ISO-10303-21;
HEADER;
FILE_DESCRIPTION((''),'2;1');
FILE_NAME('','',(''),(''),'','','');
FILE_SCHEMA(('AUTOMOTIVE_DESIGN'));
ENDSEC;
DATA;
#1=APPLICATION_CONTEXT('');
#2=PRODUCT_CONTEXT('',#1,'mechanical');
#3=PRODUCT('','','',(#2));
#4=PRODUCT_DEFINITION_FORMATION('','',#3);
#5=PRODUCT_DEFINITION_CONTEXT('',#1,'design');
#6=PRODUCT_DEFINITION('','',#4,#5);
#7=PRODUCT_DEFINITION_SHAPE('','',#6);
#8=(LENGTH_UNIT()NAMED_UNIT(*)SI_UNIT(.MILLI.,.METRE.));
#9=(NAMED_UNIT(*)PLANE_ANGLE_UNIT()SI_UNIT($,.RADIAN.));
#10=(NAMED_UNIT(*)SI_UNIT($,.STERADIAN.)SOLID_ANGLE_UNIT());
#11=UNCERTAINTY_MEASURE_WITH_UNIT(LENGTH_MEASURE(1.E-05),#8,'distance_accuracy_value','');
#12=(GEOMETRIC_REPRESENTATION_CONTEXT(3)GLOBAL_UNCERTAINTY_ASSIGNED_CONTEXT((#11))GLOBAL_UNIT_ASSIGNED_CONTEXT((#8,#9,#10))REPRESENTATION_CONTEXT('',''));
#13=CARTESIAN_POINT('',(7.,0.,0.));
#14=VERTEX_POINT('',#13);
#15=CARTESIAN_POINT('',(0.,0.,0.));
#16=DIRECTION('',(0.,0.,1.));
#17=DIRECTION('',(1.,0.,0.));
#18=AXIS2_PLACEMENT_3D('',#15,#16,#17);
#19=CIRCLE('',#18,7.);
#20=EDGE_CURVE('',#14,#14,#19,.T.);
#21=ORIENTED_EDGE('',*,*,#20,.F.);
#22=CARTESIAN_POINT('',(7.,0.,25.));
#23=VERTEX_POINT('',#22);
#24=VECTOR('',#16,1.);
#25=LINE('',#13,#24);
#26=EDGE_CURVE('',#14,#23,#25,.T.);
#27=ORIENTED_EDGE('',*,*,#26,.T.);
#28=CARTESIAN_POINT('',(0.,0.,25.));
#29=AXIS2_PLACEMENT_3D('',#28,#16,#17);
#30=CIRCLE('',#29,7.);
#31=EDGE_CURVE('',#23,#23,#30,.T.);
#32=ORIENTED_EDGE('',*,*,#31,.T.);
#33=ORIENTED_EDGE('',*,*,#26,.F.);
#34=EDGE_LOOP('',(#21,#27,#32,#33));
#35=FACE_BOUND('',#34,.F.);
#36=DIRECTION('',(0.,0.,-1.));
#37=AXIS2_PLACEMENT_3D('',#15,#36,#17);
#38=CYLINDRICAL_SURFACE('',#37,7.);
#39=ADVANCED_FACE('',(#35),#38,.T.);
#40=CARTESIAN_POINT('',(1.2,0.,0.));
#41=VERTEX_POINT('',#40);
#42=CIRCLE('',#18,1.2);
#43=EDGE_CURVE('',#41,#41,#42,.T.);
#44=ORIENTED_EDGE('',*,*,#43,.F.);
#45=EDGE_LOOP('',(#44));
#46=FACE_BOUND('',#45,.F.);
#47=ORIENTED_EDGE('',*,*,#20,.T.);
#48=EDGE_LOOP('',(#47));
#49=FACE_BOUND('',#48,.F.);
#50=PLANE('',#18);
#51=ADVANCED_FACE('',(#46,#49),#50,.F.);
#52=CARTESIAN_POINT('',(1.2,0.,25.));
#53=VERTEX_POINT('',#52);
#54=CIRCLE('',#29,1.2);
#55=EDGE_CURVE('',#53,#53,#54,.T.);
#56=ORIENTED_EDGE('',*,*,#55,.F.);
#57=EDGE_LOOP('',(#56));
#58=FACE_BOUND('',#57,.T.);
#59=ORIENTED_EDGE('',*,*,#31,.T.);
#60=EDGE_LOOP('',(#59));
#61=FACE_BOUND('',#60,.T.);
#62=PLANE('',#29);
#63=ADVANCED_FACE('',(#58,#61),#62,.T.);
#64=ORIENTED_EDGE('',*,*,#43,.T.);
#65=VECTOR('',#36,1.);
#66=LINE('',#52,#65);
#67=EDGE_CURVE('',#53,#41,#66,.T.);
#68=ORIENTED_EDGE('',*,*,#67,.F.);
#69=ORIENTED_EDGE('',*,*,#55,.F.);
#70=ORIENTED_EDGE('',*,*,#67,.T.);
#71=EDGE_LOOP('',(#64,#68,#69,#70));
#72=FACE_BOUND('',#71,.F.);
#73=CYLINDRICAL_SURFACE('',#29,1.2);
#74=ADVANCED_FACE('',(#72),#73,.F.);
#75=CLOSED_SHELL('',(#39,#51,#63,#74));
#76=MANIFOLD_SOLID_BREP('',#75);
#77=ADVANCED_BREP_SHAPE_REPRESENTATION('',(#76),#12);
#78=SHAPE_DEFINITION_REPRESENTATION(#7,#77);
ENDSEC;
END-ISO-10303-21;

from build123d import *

# Parameters (mm, degrees)
SKETCH_R     = 7
PAD_DEPTH    = 25
SKETCH001_R  = 1.2
POCKET_DEPTH = 25


with BuildPart() as part:
    # Sketch → Pad (new body)
    with BuildSketch(Plane.XY):
        Circle(SKETCH_R)
    extrude(amount=PAD_DEPTH)

    # Sketch001 (on Face3 of Pad) → Pocket (cut)
    with BuildSketch(Plane.XY.offset(25)):
        Circle(SKETCH001_R)
    extrude(amount=-POCKET_DEPTH, mode=Mode.SUBTRACT)


solid = part.part
